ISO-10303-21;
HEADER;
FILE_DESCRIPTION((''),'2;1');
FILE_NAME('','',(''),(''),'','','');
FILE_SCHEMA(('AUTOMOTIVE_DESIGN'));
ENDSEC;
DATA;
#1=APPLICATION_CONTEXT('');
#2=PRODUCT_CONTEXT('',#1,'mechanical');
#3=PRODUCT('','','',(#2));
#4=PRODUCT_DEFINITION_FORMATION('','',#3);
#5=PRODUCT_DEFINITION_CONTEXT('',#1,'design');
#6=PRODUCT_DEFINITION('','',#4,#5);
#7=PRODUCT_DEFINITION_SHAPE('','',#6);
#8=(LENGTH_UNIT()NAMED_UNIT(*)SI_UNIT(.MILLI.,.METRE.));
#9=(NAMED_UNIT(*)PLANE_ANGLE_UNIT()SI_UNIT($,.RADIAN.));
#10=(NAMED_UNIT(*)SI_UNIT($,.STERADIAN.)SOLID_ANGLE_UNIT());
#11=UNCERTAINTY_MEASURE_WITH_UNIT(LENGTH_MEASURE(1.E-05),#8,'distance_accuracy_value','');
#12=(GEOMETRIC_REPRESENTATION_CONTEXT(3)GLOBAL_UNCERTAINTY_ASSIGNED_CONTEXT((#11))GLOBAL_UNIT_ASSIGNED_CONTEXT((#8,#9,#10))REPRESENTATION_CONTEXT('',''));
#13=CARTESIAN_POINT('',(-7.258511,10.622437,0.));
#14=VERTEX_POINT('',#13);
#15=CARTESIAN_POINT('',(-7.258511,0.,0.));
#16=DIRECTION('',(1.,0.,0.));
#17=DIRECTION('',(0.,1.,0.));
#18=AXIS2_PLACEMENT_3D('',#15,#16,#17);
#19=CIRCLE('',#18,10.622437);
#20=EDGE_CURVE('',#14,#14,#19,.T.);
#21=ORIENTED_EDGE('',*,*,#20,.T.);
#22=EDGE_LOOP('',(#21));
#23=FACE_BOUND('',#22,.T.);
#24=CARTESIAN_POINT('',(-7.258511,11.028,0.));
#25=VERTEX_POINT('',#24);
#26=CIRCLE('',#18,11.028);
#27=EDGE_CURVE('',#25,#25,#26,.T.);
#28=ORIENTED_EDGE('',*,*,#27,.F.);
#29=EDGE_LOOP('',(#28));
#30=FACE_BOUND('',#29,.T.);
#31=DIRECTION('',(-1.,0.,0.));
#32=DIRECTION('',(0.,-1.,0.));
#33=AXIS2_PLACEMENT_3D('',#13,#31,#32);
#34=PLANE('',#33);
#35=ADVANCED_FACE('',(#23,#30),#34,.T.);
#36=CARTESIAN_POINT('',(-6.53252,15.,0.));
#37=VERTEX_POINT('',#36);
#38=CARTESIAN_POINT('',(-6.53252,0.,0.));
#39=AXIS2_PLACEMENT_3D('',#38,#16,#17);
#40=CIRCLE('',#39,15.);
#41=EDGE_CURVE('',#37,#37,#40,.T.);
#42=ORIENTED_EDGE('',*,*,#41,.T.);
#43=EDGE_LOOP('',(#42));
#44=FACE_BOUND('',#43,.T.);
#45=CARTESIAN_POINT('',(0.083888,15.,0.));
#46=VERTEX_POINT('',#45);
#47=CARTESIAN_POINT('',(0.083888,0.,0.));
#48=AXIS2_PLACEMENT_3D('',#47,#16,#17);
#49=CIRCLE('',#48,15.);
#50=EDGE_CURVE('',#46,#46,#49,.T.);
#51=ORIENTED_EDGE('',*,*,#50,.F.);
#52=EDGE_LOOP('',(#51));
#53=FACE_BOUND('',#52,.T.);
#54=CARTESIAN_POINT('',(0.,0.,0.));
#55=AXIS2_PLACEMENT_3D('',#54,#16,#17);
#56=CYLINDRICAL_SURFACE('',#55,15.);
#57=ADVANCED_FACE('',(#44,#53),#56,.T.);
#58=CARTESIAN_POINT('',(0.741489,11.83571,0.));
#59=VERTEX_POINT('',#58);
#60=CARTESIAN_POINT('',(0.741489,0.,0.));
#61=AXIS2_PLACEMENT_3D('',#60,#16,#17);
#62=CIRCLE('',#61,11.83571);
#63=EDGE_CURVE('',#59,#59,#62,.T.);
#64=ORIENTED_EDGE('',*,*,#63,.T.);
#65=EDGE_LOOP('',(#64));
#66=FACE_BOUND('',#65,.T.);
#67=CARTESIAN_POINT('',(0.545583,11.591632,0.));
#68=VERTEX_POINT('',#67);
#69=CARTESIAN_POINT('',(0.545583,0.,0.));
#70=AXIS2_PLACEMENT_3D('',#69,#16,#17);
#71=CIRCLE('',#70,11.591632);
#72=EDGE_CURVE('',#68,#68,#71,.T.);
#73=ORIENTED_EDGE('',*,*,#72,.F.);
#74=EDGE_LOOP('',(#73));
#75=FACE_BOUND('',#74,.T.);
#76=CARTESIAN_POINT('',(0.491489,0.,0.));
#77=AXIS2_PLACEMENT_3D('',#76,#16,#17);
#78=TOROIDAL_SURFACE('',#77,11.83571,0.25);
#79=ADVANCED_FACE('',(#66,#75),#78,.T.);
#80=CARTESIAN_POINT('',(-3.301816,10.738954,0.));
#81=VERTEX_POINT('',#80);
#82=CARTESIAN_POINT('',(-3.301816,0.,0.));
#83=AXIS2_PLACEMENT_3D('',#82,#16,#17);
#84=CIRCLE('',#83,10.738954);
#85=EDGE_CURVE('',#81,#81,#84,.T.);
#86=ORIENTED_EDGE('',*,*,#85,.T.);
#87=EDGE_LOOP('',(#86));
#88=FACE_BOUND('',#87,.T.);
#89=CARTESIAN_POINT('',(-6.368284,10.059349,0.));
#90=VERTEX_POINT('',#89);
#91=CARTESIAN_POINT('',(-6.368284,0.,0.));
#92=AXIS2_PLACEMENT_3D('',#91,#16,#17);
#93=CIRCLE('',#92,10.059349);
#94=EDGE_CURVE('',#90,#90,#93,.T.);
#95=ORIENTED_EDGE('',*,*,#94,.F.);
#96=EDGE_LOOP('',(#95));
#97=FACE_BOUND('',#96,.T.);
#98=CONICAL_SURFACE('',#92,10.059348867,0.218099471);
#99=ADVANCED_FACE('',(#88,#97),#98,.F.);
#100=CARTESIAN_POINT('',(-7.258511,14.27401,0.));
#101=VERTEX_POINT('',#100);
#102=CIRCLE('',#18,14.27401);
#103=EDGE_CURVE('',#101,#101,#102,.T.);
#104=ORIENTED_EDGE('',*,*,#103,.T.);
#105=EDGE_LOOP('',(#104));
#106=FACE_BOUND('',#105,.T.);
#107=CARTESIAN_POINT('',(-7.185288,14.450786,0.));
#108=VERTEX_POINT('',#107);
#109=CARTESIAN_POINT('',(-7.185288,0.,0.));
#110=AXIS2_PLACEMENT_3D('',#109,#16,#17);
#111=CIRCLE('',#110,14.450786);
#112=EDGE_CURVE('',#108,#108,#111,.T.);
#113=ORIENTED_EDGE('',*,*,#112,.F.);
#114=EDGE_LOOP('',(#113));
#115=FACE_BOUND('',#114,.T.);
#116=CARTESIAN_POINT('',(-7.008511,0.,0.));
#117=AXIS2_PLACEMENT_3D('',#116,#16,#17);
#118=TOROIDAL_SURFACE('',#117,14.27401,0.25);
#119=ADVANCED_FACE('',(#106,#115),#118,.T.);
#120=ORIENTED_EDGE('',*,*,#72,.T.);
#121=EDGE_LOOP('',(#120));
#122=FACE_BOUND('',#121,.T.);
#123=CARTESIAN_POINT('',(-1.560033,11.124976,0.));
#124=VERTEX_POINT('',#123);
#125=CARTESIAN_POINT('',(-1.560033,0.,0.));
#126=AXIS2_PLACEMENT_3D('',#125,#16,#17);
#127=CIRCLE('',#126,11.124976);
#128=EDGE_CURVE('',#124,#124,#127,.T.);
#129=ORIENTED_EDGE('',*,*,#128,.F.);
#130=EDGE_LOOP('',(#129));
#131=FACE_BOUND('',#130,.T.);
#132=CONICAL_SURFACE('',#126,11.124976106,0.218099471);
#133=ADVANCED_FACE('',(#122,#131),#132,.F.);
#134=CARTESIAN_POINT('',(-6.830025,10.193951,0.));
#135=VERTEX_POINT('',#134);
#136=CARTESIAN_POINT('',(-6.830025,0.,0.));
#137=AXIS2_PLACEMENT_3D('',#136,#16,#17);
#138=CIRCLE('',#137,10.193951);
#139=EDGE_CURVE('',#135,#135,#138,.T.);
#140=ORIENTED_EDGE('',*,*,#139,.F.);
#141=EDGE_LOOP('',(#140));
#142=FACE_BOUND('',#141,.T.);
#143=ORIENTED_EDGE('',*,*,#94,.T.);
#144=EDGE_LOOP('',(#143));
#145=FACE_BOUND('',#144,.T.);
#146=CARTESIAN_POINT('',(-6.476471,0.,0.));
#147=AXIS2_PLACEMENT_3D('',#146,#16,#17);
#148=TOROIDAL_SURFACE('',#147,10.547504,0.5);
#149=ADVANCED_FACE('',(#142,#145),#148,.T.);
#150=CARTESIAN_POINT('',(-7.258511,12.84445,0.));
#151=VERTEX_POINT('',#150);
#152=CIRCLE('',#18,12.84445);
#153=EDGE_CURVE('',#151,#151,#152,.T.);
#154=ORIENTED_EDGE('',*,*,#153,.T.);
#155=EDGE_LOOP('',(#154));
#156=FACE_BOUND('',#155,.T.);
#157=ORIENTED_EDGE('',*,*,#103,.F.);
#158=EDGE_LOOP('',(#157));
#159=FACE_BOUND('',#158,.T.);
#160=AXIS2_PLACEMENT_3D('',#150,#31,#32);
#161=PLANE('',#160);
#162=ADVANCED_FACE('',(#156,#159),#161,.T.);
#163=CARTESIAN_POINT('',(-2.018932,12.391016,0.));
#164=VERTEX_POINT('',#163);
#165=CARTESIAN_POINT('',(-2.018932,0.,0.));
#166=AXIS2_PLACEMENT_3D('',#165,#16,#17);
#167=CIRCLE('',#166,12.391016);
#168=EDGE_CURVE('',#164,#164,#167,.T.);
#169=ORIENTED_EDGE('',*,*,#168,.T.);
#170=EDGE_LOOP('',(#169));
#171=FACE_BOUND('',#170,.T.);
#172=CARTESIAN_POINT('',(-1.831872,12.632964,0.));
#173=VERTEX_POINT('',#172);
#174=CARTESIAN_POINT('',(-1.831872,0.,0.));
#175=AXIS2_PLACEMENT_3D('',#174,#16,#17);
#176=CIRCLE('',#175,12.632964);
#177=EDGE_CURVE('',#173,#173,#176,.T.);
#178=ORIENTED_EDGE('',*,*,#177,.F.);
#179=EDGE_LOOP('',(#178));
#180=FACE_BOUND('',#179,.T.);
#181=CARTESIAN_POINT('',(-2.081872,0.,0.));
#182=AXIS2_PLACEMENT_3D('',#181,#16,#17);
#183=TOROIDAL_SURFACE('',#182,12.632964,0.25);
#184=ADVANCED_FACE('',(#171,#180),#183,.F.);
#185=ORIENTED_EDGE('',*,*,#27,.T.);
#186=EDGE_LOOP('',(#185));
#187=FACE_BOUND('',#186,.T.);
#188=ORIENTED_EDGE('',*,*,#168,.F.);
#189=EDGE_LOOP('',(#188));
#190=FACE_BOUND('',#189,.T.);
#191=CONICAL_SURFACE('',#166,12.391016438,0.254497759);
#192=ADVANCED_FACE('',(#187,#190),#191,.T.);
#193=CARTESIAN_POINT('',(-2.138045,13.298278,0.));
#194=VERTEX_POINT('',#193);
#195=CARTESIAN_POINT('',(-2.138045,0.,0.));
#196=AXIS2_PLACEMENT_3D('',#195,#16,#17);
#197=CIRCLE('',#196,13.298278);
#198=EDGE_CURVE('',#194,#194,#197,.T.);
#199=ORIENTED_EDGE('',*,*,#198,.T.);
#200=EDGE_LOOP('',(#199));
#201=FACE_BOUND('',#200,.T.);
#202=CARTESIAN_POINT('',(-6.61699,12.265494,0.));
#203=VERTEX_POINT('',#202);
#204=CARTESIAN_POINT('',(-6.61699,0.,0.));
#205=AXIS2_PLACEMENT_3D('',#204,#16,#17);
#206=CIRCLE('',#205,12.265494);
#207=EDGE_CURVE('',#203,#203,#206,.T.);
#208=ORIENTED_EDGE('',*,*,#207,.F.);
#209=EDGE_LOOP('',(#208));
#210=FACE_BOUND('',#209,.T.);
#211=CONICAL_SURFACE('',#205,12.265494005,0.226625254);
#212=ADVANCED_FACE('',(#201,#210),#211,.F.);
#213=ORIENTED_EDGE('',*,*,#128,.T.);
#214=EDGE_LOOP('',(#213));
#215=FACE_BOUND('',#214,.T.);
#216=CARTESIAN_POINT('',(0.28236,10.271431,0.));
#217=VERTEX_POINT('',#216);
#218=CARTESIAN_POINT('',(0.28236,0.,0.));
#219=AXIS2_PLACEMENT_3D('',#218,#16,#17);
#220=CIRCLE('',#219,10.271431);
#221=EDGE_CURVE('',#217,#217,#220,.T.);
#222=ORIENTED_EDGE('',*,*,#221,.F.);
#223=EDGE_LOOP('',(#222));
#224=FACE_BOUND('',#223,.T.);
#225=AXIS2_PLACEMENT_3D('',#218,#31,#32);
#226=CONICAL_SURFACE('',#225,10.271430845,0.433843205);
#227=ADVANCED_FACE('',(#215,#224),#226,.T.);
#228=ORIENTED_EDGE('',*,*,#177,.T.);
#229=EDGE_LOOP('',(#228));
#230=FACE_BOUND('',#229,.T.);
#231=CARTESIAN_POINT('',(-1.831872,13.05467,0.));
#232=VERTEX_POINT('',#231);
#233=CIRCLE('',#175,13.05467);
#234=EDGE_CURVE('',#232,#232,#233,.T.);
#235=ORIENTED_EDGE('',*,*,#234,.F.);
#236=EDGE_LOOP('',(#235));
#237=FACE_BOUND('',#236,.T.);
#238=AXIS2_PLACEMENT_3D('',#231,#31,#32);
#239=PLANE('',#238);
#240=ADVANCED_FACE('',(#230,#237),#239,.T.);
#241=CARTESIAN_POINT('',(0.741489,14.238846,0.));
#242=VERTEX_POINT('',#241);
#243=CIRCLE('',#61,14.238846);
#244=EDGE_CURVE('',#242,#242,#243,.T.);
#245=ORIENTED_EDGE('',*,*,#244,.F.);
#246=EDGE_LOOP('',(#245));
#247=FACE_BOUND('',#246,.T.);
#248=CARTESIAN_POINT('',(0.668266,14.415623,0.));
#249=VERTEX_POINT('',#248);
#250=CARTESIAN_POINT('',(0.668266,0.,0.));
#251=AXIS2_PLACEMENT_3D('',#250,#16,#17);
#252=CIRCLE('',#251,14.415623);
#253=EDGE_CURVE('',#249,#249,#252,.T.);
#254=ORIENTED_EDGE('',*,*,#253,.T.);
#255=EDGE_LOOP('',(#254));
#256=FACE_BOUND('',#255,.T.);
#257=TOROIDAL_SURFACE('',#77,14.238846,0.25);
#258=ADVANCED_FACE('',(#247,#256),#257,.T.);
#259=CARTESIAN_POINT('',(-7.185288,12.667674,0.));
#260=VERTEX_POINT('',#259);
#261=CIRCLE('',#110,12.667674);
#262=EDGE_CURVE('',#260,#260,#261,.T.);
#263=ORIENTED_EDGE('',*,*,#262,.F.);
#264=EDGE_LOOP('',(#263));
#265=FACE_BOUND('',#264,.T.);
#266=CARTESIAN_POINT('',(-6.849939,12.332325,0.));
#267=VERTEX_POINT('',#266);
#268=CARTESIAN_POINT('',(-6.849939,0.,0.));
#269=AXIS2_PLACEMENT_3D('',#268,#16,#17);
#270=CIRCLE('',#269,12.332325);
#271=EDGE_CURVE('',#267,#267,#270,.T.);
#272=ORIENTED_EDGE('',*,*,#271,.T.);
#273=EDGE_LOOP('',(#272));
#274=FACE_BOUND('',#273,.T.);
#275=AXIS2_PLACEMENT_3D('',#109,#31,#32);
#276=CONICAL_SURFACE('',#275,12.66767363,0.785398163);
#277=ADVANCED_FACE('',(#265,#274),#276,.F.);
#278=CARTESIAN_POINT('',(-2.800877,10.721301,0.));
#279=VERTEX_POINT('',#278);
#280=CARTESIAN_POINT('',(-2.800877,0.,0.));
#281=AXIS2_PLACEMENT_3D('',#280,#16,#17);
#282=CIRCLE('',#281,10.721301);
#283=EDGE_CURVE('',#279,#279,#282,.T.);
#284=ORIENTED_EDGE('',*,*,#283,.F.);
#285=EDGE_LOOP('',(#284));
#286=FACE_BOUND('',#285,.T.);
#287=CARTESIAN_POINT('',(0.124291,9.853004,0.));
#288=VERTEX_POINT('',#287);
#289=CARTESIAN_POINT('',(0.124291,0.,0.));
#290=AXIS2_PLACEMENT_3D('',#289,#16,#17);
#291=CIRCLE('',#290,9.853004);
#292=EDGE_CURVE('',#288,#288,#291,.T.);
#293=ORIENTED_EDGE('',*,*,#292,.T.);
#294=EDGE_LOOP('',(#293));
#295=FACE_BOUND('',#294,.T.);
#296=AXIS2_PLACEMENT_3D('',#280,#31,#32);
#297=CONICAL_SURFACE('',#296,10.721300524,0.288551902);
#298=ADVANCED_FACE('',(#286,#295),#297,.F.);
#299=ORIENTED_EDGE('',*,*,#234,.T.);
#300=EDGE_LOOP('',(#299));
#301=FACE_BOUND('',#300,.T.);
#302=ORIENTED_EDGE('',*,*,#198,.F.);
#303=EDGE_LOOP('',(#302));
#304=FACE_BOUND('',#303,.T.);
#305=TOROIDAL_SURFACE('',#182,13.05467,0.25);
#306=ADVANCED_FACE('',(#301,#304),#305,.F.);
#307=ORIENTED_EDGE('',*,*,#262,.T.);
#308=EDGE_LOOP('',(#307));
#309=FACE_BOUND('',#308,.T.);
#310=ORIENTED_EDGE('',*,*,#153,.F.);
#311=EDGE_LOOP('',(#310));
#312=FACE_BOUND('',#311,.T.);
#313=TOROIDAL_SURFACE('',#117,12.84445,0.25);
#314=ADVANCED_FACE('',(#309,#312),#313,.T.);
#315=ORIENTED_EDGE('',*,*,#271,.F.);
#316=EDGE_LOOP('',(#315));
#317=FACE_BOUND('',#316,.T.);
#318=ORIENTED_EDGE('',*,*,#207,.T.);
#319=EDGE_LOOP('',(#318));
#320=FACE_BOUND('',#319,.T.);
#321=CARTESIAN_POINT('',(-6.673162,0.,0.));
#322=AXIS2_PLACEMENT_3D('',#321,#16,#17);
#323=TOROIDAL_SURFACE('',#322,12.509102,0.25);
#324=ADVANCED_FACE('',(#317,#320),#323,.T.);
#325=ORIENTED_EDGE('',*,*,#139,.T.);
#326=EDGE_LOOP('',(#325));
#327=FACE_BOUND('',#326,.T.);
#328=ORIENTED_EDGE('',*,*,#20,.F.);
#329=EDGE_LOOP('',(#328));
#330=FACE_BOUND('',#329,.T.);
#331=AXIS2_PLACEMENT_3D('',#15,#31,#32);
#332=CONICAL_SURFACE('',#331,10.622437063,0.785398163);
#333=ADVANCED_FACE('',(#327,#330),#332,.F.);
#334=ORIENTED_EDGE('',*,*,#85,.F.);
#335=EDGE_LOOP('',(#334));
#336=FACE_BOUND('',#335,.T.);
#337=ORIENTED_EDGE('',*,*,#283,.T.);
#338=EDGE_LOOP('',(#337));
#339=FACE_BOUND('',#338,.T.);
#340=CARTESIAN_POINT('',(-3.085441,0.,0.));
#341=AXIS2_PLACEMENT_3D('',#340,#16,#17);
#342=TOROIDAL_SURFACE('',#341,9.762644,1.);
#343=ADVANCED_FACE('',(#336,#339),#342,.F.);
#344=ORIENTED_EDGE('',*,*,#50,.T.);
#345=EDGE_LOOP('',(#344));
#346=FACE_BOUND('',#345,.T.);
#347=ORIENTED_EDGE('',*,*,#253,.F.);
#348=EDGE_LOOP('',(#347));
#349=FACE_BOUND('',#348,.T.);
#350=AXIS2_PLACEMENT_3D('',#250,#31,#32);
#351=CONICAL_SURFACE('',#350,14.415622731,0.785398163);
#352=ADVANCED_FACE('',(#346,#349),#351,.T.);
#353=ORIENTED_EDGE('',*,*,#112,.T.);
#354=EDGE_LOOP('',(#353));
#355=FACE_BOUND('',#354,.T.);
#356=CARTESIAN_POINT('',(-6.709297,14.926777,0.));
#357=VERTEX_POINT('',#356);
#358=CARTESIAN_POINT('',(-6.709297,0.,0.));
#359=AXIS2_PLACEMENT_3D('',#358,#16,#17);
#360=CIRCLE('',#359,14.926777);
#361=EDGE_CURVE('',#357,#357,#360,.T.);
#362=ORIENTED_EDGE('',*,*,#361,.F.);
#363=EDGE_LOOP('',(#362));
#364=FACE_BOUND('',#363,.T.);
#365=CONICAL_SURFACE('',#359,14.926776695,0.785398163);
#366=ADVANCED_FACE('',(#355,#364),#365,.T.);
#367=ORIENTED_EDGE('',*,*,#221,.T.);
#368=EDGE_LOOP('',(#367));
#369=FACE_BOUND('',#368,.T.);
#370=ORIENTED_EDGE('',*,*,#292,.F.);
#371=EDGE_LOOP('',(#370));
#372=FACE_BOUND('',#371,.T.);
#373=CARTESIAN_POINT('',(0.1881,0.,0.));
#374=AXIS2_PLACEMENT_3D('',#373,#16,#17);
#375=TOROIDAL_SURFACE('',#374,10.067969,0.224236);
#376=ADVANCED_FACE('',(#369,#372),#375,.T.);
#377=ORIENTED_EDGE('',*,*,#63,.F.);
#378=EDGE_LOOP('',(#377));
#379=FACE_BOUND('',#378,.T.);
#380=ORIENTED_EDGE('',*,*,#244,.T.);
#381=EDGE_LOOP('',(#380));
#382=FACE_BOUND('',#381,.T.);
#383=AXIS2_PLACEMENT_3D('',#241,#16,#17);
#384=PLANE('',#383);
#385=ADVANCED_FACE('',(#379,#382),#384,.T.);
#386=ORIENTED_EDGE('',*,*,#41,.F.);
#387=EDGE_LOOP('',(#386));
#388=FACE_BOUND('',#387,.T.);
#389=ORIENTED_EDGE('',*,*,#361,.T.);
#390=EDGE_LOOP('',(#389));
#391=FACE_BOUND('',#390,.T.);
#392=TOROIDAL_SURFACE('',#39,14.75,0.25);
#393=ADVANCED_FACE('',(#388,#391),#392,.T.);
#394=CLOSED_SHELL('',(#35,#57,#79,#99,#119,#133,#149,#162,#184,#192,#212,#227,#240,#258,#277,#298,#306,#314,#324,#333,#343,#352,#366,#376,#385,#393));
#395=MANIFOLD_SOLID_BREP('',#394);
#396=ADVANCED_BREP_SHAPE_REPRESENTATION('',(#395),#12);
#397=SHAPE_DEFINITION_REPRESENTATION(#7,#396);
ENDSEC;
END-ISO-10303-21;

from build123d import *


with BuildPart() as part:
    # Sketch1 → Revolve1 (revolve)
    with BuildSketch(Plane.XY):
        with BuildLine():
            Line((-6.849938876, 12.332324863), (-7.185287643, 12.66767363))
            ThreePointArc((-7.185287643, 12.66767363), (-7.239480831, 12.748779467), (-7.258510948, 12.844450325))
            Line((-7.258510948, 12.844450325), (-7.258510948, 14.274009547))
            ThreePointArc((-7.258510948, 14.274009547), (-7.239480831, 14.369680405), (-7.185287643, 14.450786242))
            Line((-7.185287643, 14.450786242), (-6.70929719, 14.926776695))
            ThreePointArc((-6.70929719, 14.926776695), (-6.628191352, 14.980969883), (-6.532520494, 15))
            Line((-6.532520494, 15), (0.083888479, 15))
            Line((0.083888479, 15), (0.668265748, 14.415622731))
            ThreePointArc((0.668265748, 14.415622731), (0.722458936, 14.334516894), (0.741489052, 14.238846036))
            Line((0.741489052, 14.238846036), (0.741489052, 11.835710097))
            ThreePointArc((0.741489052, 11.835710097), (0.686454956, 11.679222728), (0.54558268, 11.591632487))
            Line((0.54558268, 11.591632487), (-1.560032713, 11.124976106))
            Line((-1.560032713, 11.124976106), (0.282360124, 10.271430845))
            ThreePointArc((0.282360124, 10.271430845), (0.397866803, 9.988725545), (0.124290827, 9.853004267))
            Line((0.124290827, 9.853004267), (-2.800876749, 10.721300524))
            ThreePointArc((-2.800876749, 10.721300524), (-3.050222113, 10.762023188), (-3.301815552, 10.738954005))
            Line((-3.301815552, 10.738954005), (-6.368283936, 10.059348867))
            ThreePointArc((-6.368283936, 10.059348867), (-6.616401703, 10.067483825), (-6.830024581, 10.193950696))
            Line((-6.830024581, 10.193950696), (-7.258510948, 10.622437063))
            Line((-7.258510948, 10.622437063), (-7.258510948, 11.028000426))
            Line((-7.258510948, 11.028000426), (-2.018932217, 12.391016438))
            ThreePointArc((-2.018932217, 12.391016438), (-1.884090665, 12.480050465), (-1.831872061, 12.632963903))
            Line((-1.831872061, 12.632963903), (-1.831872061, 13.05467024))
            ThreePointArc((-1.831872061, 13.05467024), (-1.92621723, 13.250301458), (-2.13804465, 13.298277794))
            Line((-2.13804465, 13.298277794), (-6.616989592, 12.265494005))
            ThreePointArc((-6.616989592, 12.265494005), (-6.742103667, 12.268795355), (-6.849938876, 12.332324863))
        make_face()
    revolve(axis=Axis((0, 0, 0), (-1, 0, 0)))


solid = part.part
